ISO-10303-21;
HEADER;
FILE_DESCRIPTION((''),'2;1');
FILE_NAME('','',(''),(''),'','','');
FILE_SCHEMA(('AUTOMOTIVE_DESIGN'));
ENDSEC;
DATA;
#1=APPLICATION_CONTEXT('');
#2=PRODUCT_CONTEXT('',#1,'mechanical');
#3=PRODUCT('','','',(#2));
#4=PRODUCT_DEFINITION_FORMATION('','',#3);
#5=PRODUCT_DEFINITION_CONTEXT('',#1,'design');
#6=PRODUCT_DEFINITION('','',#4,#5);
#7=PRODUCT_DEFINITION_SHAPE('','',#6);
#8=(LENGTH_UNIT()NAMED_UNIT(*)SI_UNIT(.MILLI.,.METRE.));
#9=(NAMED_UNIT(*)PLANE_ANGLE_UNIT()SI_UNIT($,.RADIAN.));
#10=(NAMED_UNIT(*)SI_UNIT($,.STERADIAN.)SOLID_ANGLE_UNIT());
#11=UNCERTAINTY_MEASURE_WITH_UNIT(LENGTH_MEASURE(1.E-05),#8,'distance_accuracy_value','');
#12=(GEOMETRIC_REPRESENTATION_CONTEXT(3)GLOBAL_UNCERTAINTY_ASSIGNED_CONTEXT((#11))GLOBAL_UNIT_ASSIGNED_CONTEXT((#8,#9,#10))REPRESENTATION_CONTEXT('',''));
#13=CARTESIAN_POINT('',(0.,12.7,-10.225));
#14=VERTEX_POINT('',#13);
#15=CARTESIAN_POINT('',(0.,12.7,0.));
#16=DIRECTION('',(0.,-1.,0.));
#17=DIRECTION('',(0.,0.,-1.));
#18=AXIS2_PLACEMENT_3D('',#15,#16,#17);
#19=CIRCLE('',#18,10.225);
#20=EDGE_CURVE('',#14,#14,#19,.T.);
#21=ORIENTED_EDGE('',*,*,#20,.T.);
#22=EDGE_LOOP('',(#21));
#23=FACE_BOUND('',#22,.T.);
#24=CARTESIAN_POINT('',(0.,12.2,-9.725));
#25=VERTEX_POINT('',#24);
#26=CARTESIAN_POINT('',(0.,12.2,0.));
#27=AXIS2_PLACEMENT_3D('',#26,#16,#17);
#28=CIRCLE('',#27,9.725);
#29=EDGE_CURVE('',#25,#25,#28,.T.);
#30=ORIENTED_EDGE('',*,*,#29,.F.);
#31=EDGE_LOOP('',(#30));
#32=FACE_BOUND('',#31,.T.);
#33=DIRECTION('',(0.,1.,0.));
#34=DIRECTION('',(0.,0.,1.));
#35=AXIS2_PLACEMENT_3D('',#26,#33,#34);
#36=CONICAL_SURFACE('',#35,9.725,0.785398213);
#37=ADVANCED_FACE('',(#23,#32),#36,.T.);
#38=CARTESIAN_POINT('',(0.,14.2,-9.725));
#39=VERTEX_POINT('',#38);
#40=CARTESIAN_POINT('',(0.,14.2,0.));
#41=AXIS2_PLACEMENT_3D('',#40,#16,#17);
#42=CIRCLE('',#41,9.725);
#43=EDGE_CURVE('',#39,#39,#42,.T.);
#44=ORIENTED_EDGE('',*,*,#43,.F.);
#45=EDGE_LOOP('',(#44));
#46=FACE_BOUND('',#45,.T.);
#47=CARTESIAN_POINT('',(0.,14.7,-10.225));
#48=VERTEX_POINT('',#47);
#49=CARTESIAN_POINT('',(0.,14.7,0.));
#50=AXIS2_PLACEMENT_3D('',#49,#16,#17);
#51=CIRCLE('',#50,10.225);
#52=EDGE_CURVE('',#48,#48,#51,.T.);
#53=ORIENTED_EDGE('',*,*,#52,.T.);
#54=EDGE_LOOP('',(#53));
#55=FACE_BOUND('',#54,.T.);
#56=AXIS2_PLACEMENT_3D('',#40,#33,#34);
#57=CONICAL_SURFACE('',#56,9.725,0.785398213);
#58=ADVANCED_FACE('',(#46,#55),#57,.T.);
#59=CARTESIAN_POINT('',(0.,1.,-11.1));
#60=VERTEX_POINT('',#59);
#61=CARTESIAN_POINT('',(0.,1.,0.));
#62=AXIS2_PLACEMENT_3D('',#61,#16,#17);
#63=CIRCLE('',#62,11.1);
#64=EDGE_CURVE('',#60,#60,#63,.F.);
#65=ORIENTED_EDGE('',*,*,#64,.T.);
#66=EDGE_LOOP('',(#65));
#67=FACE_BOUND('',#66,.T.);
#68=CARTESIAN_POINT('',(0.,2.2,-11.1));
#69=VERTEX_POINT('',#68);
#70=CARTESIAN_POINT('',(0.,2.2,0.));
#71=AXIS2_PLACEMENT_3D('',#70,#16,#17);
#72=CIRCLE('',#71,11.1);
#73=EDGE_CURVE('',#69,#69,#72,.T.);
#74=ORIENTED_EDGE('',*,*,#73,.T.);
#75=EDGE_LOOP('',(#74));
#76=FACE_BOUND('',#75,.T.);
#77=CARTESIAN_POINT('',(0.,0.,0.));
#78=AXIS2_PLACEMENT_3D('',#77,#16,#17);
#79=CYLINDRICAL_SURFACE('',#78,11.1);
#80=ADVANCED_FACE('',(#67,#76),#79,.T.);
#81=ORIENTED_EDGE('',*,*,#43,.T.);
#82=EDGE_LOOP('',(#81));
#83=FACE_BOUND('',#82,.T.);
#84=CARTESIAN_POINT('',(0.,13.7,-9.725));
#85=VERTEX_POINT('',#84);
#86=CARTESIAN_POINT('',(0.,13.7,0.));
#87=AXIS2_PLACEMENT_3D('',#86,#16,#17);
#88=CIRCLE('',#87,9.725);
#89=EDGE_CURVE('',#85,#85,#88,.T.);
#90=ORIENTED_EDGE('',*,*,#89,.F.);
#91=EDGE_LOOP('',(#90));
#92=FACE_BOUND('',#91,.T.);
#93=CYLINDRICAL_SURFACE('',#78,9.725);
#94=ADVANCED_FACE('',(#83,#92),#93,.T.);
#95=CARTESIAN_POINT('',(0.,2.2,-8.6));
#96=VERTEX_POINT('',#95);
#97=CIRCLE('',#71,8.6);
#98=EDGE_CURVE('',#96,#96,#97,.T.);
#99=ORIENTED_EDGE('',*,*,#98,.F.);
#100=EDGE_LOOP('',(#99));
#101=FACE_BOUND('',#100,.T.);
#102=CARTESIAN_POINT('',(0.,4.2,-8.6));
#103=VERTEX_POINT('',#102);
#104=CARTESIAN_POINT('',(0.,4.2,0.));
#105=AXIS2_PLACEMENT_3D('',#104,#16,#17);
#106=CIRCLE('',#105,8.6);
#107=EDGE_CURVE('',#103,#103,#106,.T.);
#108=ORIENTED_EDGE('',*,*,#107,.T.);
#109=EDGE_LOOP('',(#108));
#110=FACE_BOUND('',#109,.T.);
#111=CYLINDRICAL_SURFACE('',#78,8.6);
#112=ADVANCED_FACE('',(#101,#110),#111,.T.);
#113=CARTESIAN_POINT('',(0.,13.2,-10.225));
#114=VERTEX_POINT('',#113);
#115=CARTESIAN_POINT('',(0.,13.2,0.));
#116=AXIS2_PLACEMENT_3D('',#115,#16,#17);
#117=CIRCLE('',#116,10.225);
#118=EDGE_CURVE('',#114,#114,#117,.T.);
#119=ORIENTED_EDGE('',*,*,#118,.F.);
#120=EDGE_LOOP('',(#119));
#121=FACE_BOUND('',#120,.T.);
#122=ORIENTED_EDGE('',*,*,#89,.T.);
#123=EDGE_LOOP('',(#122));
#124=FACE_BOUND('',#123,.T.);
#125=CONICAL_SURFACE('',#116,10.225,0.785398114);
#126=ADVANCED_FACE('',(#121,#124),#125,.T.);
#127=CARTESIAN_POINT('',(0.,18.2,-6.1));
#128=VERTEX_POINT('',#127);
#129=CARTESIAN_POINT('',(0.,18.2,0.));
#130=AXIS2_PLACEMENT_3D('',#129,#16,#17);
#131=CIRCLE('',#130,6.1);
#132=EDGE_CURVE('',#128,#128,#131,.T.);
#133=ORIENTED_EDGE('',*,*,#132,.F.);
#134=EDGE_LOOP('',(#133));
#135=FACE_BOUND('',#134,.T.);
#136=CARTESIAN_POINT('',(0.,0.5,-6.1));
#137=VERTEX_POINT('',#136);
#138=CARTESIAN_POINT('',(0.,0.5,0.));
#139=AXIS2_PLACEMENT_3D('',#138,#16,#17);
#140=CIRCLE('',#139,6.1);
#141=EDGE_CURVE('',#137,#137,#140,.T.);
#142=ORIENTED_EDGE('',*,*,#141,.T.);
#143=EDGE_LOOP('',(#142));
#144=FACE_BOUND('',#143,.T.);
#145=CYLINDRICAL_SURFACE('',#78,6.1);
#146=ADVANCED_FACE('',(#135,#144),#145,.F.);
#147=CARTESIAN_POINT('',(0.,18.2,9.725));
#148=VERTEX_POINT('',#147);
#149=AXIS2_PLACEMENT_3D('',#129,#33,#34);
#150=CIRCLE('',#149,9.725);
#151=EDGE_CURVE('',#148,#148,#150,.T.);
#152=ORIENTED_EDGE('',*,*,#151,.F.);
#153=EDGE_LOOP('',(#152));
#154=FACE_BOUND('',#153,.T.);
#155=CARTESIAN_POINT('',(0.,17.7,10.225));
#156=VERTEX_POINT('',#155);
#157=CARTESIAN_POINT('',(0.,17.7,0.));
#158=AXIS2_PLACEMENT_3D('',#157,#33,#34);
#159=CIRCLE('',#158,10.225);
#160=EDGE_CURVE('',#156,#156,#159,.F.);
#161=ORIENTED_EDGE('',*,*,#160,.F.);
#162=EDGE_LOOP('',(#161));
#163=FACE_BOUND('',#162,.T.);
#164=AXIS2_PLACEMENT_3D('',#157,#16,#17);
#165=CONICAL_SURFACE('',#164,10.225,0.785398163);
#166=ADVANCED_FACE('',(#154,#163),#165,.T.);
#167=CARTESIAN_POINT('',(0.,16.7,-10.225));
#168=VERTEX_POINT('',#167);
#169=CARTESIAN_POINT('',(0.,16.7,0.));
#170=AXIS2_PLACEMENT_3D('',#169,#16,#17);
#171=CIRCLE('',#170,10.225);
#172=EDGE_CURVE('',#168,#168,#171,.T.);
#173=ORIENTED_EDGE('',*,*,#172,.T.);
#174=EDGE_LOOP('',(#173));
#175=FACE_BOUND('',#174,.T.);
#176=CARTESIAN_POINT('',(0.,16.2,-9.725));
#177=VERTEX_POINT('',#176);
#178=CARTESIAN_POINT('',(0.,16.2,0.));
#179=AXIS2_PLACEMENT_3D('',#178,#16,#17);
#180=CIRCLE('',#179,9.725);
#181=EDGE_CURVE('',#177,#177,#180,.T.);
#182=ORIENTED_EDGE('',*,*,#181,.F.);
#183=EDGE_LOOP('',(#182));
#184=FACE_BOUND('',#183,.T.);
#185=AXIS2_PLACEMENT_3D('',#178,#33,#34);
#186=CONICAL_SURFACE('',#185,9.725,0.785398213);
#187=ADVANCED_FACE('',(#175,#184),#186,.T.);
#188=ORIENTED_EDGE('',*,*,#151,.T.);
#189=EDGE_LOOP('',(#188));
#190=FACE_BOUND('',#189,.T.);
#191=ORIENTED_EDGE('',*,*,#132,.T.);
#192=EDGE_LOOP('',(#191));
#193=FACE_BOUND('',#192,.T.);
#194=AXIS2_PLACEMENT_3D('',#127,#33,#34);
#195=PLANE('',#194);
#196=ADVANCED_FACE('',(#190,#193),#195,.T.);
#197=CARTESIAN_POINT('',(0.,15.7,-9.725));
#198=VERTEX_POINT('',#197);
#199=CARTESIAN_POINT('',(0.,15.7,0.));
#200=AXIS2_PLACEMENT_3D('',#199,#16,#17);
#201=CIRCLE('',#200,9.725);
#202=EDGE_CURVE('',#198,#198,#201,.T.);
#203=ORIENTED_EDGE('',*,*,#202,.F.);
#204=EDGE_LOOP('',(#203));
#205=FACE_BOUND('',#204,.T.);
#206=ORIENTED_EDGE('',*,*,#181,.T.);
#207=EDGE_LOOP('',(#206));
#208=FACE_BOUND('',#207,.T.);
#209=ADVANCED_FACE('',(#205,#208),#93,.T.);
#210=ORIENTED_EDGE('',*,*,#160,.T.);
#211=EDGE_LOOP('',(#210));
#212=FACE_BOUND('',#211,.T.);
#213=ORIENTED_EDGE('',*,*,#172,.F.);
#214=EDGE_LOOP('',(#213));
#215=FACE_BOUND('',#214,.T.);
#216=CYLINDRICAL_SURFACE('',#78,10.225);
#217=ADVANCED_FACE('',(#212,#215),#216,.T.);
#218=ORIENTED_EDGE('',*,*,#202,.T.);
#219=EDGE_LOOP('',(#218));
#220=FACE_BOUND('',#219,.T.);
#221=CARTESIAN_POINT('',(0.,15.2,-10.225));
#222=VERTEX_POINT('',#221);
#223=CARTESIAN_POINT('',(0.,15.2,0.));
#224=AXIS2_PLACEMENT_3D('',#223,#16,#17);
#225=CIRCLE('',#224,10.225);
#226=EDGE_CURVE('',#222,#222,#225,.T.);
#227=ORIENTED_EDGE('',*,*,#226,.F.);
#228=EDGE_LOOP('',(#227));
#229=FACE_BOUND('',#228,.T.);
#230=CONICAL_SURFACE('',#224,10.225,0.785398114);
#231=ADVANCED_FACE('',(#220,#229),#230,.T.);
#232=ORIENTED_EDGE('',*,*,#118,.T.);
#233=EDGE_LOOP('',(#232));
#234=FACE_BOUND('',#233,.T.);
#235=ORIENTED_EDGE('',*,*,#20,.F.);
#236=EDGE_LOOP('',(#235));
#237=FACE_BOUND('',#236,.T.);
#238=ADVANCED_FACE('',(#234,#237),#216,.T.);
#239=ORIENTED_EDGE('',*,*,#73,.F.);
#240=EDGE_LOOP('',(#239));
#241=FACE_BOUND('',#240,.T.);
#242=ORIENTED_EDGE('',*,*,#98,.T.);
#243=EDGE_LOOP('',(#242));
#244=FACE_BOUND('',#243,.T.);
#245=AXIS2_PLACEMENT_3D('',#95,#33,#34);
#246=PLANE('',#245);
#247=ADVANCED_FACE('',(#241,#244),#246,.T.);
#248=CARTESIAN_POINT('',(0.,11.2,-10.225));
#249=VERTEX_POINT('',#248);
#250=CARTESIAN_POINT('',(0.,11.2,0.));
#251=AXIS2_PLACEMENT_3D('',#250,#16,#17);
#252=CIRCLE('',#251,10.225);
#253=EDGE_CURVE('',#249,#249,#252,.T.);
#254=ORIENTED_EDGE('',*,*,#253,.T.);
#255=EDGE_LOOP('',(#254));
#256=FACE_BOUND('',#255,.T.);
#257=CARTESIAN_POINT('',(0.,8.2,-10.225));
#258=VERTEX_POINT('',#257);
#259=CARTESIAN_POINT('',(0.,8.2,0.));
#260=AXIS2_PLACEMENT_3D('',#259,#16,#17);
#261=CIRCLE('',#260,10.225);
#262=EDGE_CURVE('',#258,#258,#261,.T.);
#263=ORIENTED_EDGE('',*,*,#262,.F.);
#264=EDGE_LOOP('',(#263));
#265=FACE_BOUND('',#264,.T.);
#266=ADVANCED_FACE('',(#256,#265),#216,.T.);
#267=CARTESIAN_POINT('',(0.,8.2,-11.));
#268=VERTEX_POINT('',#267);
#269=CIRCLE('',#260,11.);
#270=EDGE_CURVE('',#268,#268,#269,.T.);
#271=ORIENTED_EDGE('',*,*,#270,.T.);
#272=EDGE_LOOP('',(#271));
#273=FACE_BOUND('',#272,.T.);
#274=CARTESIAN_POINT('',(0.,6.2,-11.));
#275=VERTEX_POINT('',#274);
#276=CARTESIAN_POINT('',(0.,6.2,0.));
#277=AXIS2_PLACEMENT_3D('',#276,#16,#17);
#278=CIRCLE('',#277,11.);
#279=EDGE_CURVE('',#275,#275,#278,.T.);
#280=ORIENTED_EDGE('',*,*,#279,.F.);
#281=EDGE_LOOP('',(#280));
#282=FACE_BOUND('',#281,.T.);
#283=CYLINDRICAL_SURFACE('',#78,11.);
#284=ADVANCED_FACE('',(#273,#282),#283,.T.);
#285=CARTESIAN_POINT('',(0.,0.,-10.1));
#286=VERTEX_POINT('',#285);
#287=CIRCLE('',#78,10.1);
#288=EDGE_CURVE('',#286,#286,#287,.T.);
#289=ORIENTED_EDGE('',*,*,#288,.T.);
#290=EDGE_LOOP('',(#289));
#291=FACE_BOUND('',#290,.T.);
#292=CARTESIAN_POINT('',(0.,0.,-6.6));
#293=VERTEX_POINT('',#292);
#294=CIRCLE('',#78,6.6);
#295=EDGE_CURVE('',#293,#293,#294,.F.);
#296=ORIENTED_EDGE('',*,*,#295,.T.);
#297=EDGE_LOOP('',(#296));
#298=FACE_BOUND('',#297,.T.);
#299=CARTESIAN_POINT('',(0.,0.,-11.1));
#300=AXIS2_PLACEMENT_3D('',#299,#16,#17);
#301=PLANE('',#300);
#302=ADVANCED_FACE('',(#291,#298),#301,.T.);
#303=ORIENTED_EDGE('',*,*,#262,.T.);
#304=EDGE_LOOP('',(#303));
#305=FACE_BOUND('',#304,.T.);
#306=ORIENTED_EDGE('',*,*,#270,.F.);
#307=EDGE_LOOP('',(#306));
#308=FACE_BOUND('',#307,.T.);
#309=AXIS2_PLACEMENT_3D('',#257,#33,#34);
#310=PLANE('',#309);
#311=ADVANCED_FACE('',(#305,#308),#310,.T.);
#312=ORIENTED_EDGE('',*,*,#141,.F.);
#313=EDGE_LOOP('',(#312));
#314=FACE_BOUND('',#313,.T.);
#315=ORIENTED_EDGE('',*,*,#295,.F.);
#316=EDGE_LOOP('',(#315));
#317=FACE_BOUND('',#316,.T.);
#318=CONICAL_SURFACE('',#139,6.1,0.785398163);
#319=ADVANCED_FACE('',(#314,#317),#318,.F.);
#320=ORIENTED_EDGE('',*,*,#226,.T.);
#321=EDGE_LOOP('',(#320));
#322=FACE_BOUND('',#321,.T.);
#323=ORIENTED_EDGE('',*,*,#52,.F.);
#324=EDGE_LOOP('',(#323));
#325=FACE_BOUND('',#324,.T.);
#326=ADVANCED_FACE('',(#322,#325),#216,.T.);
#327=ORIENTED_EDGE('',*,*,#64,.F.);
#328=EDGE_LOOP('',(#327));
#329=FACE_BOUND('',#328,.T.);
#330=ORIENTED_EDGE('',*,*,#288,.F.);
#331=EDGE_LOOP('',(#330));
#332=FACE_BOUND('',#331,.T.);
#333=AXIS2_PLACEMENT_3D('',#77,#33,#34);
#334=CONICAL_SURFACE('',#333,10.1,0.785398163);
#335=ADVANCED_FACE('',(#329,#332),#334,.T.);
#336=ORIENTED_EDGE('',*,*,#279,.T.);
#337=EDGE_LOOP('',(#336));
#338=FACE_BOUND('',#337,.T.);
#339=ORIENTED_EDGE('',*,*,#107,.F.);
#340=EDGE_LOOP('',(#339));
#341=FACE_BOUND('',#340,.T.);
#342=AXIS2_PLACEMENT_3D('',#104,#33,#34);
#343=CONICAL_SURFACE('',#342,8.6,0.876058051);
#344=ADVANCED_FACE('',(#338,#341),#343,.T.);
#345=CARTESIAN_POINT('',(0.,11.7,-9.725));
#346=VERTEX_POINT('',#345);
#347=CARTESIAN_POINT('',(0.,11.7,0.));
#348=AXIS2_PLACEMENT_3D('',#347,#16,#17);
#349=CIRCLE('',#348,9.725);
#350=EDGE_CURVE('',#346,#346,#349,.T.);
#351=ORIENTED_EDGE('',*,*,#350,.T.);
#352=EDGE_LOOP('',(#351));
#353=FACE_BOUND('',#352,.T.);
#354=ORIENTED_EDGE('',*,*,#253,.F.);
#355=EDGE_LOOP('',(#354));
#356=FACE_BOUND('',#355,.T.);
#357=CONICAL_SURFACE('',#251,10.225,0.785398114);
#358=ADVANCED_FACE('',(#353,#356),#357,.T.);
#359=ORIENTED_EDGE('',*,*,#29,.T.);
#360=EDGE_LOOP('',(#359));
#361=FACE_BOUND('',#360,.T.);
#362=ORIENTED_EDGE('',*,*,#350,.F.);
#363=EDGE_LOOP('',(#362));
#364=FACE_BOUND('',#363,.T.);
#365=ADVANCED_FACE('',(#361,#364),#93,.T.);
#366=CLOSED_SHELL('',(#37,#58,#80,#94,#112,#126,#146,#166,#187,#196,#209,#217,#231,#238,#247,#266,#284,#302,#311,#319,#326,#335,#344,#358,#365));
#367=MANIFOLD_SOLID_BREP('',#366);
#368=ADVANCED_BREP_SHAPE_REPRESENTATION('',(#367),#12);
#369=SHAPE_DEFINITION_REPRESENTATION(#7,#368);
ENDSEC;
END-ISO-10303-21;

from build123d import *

# Parameters (mm, degrees)
CHAMFER_1_SIZE = 1
CHAMFER_2_SIZE = 0.5
CHAMFER_3_SIZE = 0.5


with BuildPart() as part:
    # 스케치1 → 회전1 (revolve)
    with BuildSketch(Plane(origin=(0, 0, 0), x_dir=(0, 0, -1), z_dir=(1, 0, 0))):
        Polygon((6.1, 0), (6.1, 18.2), (10.225, 18.2), (10.225, 16.7), (9.725, 16.200000049), (9.725, 15.700000049), (10.225, 15.2), (10.225, 14.7), (9.725, 14.200000049), (9.725, 13.700000049), (10.225, 13.2), (10.225, 12.7), (9.725, 12.200000049), (9.725, 11.700000049), (10.225, 11.2), (10.225, 8.2), (11, 8.2), (11, 6.2), (8.6, 4.2), (8.6, 2.2), (11.1, 2.2), (11.1, 0), align=None)
    revolve(axis=Axis((0, 0, 0), (0, 1, 0)))

    # 모따기1
    chamfer_1_edges = [part.edges().sort_by_distance(p)[0] for p in [
        (0, 0, 11.1),
    ]]
    chamfer(chamfer_1_edges, length=CHAMFER_1_SIZE)

    # 모따기2
    chamfer_2_edges = [part.edges().sort_by_distance(p)[0] for p in [
        (0, 18.2, 10.225),
    ]]
    chamfer(chamfer_2_edges, length=CHAMFER_2_SIZE)

    # 모따기3
    chamfer_3_edges = [part.edges().sort_by_distance(p)[0] for p in [
        (0, 0, 6.1),
    ]]
    chamfer(chamfer_3_edges, length=CHAMFER_3_SIZE)


solid = part.part
